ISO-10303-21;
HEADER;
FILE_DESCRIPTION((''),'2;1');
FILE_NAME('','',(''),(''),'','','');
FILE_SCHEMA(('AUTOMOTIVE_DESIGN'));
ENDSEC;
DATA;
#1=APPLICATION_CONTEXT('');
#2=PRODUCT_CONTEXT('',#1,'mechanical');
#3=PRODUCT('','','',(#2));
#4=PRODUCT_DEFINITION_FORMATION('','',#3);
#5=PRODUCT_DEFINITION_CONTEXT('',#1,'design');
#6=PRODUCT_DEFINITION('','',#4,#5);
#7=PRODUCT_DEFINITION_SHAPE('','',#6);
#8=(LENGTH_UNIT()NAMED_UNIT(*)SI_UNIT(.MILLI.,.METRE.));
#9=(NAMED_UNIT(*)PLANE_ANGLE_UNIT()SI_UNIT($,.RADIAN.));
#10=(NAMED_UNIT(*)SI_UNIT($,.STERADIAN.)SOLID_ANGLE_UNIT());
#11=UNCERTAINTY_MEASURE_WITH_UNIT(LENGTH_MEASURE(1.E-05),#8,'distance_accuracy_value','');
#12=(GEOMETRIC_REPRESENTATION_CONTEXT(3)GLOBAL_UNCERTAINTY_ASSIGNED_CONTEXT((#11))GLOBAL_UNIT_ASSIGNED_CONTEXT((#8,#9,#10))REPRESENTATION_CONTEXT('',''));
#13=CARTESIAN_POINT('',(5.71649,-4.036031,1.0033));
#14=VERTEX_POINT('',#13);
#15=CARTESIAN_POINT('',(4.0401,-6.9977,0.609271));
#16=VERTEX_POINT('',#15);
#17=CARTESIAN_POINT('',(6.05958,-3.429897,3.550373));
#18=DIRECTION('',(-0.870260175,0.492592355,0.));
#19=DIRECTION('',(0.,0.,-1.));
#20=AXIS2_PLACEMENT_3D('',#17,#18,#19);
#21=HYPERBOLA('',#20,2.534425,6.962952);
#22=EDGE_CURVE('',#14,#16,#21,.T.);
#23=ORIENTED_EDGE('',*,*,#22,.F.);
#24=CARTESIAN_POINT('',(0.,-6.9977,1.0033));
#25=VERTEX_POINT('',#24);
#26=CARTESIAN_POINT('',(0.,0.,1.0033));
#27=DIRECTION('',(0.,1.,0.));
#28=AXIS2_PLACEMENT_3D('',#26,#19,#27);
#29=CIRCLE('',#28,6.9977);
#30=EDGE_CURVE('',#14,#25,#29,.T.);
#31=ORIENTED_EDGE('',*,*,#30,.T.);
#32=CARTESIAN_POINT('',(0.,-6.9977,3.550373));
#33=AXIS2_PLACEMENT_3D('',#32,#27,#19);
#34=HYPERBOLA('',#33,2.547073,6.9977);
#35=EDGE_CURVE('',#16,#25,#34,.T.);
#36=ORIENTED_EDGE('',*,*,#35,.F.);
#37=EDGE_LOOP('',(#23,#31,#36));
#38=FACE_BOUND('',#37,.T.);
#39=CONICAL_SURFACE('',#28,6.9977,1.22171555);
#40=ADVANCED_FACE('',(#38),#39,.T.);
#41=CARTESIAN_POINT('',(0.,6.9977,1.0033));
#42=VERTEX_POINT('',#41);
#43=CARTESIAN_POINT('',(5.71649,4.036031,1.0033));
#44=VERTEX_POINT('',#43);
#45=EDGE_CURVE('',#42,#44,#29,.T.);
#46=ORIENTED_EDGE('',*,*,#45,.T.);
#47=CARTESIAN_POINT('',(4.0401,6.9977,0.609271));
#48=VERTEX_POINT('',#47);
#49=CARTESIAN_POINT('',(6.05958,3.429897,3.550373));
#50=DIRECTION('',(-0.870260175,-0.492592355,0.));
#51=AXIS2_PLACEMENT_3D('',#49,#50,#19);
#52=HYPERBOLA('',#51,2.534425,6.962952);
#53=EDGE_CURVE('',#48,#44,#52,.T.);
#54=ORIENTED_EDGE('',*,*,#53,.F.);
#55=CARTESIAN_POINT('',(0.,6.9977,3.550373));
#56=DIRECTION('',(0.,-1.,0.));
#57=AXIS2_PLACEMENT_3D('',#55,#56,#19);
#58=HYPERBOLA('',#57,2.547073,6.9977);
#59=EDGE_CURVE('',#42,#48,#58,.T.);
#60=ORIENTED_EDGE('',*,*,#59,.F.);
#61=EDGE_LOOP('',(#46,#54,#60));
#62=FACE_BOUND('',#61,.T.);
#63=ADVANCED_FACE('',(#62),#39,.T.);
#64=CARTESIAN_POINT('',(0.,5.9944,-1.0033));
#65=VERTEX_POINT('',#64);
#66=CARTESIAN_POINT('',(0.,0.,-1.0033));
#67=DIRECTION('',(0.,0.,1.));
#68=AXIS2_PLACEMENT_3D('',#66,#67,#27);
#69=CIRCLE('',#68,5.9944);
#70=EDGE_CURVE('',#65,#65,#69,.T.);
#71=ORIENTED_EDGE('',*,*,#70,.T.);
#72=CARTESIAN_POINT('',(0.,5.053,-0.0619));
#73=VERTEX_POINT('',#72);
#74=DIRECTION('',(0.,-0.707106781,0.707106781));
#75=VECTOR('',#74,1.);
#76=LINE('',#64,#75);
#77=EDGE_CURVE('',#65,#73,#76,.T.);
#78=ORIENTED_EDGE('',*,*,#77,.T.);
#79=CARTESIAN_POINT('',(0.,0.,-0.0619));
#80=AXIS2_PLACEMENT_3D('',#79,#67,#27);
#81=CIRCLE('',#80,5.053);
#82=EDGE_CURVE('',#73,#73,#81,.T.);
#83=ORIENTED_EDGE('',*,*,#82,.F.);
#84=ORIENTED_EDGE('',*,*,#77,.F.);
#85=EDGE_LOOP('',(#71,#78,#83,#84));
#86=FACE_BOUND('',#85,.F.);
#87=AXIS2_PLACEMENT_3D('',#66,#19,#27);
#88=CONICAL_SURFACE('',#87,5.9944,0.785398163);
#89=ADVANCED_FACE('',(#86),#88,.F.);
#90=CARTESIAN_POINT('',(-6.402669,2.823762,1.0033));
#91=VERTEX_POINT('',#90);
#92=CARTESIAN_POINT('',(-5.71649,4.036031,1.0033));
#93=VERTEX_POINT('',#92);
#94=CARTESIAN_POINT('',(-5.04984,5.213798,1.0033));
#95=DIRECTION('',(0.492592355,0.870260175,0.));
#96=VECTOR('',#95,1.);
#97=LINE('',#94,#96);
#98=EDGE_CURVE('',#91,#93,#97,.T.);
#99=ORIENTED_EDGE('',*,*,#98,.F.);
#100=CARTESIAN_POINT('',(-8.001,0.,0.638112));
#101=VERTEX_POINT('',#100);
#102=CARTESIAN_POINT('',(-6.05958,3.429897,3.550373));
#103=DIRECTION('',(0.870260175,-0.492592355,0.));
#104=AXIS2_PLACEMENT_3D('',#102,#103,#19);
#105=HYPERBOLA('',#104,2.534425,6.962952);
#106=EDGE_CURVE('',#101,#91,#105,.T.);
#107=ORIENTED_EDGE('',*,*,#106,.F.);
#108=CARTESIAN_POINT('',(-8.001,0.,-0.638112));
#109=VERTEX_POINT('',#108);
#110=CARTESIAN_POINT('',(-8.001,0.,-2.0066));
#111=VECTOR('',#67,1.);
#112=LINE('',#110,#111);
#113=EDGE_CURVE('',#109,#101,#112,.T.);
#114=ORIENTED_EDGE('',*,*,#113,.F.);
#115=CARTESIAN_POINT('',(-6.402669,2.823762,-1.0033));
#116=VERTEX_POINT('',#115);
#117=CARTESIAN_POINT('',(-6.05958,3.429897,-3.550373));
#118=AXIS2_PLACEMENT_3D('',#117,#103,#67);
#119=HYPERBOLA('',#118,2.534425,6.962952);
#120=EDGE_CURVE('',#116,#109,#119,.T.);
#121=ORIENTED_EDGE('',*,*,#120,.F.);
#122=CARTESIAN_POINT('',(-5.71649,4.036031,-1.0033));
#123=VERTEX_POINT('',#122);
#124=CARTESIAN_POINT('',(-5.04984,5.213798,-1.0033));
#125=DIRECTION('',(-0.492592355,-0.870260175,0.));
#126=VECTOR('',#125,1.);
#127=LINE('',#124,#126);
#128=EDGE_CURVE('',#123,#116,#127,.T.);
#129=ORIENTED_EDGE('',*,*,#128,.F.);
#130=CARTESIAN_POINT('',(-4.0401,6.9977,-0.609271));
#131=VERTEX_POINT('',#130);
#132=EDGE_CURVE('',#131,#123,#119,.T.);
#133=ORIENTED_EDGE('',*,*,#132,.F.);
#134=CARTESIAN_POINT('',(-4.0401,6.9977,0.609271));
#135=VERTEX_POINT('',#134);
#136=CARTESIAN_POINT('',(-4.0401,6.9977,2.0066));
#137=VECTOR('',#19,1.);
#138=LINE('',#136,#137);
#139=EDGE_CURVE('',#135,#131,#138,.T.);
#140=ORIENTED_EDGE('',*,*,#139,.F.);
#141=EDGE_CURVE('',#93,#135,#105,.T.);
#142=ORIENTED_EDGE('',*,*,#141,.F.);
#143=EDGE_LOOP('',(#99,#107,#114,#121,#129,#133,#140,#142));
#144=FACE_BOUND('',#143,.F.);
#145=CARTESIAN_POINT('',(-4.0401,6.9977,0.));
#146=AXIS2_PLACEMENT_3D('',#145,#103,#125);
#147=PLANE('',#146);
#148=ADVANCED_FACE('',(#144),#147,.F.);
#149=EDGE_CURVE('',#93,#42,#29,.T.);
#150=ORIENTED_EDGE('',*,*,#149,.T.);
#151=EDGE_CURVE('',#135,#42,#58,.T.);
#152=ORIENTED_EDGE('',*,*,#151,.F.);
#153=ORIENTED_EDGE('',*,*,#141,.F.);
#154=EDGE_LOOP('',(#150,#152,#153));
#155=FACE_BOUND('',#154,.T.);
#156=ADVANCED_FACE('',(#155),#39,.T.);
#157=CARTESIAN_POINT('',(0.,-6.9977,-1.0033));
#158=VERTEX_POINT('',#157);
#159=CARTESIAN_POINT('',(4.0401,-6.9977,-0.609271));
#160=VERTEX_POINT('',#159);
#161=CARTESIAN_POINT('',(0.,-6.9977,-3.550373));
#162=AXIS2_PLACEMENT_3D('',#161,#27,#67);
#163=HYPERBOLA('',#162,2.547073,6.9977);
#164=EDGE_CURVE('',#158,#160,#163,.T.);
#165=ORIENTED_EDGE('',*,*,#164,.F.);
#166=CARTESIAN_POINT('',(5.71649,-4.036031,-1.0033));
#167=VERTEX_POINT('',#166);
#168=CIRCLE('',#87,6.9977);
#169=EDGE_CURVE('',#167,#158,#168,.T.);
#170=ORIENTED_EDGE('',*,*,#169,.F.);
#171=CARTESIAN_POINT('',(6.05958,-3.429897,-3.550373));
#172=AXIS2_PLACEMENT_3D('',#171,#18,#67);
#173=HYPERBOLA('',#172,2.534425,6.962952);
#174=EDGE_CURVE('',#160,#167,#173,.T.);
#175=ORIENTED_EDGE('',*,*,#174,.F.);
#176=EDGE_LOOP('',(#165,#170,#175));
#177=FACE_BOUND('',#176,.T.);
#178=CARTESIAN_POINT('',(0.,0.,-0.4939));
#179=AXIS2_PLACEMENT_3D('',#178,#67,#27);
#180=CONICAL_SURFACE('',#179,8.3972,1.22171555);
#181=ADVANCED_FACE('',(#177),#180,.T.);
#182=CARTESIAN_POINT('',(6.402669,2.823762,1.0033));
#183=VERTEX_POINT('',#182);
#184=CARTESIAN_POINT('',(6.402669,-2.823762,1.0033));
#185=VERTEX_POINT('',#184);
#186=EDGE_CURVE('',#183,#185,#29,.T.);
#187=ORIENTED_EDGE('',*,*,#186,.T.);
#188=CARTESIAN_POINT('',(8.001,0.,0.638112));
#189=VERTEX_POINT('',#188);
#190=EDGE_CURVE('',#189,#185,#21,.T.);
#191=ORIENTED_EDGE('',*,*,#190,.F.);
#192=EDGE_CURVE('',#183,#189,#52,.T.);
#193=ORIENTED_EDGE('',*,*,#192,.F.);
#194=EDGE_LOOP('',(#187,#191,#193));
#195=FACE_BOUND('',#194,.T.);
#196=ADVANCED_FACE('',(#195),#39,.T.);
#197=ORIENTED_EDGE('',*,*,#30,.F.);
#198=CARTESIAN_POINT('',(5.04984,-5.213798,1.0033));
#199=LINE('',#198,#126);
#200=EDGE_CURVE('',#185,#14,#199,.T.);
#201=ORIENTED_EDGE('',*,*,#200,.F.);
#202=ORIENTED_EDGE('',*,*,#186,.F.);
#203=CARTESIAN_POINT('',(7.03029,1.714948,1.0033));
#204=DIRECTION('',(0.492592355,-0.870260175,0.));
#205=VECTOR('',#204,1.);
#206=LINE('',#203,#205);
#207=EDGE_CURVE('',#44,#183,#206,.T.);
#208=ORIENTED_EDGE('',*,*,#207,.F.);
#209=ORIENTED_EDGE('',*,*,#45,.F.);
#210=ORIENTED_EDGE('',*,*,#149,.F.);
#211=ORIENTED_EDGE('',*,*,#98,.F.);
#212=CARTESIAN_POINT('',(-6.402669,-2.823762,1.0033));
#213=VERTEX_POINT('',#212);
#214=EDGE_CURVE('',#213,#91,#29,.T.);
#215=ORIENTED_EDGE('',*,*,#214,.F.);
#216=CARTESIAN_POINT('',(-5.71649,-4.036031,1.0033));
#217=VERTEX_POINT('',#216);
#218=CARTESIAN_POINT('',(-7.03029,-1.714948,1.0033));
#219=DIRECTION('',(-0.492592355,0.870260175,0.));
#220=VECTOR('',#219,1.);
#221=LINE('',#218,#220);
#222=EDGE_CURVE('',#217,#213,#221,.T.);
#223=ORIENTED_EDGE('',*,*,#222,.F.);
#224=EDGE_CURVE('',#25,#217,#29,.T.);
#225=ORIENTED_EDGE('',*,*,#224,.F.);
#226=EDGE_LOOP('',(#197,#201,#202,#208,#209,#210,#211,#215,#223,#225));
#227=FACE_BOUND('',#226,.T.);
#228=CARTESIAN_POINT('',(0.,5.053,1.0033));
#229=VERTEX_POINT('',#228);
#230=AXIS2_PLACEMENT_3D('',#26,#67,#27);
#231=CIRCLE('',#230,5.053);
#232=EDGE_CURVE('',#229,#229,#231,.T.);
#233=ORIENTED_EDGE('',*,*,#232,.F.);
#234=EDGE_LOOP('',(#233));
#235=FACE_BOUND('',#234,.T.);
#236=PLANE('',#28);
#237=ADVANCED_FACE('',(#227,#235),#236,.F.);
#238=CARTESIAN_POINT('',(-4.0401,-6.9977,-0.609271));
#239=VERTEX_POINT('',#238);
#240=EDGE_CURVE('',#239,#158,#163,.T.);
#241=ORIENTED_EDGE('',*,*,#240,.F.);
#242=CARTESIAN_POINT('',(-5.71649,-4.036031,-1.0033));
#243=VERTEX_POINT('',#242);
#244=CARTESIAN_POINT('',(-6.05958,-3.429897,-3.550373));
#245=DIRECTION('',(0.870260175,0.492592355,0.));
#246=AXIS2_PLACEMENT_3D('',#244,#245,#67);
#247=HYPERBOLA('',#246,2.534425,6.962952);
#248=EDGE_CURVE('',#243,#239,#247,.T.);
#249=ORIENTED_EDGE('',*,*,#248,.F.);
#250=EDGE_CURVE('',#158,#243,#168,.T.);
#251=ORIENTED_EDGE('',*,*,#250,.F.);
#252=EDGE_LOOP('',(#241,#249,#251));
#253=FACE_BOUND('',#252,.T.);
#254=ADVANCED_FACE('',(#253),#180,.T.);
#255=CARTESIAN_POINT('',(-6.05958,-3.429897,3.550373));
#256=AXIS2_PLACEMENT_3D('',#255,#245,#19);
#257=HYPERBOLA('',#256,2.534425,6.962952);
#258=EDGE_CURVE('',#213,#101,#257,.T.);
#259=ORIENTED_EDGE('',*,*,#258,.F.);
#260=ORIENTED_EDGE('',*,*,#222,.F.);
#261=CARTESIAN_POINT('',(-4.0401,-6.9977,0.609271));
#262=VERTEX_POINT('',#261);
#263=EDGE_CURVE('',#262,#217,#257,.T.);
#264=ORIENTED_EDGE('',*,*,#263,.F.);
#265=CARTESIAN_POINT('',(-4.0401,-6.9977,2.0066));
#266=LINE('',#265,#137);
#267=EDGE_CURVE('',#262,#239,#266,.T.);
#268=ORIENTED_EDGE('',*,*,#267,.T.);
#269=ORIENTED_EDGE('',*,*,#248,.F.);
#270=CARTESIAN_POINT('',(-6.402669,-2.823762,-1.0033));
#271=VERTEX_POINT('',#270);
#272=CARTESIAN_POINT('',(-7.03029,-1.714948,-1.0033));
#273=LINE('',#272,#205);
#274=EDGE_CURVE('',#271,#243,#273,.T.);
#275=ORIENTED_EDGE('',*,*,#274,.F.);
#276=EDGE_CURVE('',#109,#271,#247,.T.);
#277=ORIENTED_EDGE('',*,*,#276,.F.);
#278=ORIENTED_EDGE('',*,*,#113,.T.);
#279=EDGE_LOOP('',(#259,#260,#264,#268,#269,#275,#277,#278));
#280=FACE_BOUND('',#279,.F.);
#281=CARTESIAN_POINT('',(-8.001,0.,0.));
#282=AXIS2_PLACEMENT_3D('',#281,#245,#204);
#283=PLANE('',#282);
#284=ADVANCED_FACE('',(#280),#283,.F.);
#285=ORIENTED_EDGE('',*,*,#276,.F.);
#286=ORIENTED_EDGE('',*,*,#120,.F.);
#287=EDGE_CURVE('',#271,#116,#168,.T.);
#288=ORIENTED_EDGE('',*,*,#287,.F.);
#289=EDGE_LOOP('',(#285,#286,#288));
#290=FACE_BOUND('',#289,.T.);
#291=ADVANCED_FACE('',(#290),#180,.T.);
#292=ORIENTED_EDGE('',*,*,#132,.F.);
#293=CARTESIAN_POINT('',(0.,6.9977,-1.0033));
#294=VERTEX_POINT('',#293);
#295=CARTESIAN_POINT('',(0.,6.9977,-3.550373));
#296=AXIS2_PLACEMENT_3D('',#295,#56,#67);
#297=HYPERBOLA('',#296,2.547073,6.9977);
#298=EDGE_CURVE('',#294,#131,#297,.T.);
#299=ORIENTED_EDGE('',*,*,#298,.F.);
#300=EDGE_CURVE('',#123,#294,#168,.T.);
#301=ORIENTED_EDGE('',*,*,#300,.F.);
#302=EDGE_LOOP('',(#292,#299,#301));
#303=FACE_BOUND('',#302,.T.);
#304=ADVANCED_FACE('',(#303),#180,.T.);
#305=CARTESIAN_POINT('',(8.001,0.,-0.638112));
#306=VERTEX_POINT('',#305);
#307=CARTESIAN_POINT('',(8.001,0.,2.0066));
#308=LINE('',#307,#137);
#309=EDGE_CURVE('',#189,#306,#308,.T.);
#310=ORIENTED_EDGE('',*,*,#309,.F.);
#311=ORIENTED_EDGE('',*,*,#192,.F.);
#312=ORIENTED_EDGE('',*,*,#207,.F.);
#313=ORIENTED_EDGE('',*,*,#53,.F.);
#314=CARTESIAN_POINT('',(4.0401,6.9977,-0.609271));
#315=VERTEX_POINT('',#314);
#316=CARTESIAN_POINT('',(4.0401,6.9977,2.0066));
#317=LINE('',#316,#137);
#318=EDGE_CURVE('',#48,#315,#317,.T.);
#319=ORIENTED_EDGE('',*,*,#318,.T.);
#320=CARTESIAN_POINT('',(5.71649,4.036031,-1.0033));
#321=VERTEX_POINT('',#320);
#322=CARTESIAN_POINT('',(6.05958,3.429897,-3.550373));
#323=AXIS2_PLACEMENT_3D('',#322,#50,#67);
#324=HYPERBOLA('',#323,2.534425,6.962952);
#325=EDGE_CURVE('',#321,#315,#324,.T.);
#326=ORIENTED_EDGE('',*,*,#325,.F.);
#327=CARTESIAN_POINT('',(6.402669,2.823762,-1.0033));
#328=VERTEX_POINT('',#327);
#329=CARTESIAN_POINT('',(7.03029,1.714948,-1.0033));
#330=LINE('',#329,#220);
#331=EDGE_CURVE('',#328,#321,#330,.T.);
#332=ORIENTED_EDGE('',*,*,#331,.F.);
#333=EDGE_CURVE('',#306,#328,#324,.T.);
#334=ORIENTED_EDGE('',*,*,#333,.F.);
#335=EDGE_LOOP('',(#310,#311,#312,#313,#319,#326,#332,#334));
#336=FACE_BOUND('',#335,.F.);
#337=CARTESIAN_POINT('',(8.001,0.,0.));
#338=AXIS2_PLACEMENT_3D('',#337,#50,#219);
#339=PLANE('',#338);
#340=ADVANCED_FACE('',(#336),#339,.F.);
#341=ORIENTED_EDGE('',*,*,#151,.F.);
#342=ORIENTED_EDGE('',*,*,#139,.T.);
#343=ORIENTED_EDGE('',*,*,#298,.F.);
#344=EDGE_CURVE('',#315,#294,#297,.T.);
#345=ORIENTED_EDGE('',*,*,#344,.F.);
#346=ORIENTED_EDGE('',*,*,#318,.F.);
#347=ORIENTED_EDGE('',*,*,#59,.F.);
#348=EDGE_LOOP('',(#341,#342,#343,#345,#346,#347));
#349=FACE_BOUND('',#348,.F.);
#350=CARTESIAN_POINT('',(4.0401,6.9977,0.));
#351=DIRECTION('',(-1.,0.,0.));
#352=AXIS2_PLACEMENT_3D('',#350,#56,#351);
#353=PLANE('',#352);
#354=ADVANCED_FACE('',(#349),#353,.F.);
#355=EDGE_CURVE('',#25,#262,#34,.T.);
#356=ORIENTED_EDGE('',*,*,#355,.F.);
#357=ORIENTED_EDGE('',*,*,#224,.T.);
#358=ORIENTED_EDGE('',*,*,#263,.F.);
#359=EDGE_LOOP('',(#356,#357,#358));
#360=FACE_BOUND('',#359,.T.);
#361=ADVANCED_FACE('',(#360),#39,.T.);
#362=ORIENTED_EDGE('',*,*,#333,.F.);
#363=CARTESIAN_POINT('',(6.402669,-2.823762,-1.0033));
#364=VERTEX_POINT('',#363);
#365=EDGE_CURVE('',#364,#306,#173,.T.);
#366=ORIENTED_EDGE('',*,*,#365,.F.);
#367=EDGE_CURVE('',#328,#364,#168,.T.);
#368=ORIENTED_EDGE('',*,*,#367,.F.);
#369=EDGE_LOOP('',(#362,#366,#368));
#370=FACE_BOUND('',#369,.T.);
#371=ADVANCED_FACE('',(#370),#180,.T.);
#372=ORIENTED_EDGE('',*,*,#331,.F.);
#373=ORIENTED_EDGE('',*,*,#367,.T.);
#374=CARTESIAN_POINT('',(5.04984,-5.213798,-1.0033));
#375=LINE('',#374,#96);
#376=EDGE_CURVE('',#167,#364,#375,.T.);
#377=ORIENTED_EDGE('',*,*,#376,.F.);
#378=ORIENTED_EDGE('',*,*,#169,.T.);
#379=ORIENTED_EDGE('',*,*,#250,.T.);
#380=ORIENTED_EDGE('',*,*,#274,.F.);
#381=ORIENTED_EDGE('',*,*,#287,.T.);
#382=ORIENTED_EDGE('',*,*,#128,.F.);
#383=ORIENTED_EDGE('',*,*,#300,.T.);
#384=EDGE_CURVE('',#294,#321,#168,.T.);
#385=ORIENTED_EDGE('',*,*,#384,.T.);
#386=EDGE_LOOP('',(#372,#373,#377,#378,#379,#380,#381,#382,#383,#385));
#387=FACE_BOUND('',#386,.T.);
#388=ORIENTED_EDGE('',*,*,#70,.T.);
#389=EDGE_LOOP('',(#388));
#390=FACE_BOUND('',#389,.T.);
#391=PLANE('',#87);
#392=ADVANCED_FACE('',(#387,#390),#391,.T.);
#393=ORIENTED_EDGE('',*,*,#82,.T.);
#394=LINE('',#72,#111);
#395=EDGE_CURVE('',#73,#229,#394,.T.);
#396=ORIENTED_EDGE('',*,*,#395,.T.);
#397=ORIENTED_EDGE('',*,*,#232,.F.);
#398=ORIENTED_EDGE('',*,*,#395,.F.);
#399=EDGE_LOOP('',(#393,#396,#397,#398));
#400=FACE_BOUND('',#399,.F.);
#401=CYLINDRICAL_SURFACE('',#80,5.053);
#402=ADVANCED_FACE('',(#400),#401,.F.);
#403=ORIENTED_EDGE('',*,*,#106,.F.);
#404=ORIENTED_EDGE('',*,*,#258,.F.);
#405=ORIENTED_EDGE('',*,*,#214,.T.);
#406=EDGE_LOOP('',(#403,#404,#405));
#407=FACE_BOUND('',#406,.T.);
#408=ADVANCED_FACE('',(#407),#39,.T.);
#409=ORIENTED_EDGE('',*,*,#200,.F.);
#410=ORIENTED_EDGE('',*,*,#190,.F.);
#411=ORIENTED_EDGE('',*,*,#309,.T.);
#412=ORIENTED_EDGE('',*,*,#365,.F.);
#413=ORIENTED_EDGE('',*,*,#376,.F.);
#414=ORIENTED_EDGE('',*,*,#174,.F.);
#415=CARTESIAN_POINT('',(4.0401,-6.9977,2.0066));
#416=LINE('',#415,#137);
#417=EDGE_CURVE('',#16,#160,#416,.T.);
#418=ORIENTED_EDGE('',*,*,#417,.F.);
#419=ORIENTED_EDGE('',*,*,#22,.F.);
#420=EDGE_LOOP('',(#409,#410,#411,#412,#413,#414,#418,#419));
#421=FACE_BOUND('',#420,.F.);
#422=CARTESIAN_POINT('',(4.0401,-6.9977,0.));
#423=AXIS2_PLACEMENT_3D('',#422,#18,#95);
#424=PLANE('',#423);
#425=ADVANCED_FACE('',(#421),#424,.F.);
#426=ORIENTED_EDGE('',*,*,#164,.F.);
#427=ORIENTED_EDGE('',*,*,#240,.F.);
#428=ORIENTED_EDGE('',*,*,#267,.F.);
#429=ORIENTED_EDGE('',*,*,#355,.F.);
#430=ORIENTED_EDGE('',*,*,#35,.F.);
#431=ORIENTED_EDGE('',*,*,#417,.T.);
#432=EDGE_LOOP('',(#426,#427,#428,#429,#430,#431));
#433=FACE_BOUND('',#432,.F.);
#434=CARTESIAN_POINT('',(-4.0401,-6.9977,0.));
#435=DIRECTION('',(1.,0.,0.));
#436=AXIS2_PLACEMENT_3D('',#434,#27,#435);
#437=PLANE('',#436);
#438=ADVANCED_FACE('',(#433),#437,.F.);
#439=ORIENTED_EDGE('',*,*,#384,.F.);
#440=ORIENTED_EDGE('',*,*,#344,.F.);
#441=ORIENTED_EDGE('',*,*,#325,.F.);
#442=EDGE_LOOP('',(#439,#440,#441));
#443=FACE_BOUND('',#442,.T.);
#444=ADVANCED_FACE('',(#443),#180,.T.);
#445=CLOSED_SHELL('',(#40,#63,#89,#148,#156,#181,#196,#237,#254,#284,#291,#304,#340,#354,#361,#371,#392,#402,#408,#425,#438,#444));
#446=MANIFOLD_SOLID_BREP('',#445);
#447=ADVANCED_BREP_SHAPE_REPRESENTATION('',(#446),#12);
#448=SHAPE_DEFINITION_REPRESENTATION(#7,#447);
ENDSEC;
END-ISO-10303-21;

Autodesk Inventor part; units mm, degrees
sketch "Sketch_1" plane through (0, 0, 0) normal (1, 0, 0) x (0, 1, 0)
  line L0 (0, -1.0033) -> (0, 1.0033)
  line L1 (0, 1.0033) -> (6.9977, 1.0033)
  line L2 (6.9977, 1.0033) -> (8.3972, 0.4939)
  line L3 (8.3972, 0.4939) -> (8.3972, -0.4939)
  line L4 (8.3972, -0.4939) -> (6.9977, -1.0033)
  line L5 (6.9977, -1.0033) -> (0, -1.0033)
  line L6 (0, -1.0033) -> (0, 1.0033)
revolve "Revolution1" add sketch "Sketch_1" angle 360 about axis through (0, 0, -1.0033) along (0, 0, -1)
sketch "Sketch_2" plane through (0, 0, 0) normal (0, 0, 1) x (1, 0, 0)
  line L0 (-13.9954, 13.9954) -> (-13.9954, -13.9954)
  line L1 (-13.9954, -13.9954) -> (13.9954, -13.9954)
  line L2 (13.9954, -13.9954) -> (13.9954, 13.9954)
  line L3 (13.9954, 13.9954) -> (-13.9954, 13.9954)
  line L4 (-8.001, 0) -> (-4.0401, -6.9977)
  line L5 (-4.0401, -6.9977) -> (4.0401, -6.9977)
  line L6 (4.0401, -6.9977) -> (8.001, 0)
  line L7 (8.001, 0) -> (4.0401, 6.9977)
  line L8 (4.0401, 6.9977) -> (-4.0401, 6.9977)
  line L9 (-4.0401, 6.9977) -> (-8.001, 0)
extrude "Extrusion1" cut sketch "Sketch_2" along normal mid plane 4.0132
sketch "Sketch3" plane through (0, 0, -1.0033) normal (0, 0, -1) x (-1, 0, 0)
  point P0 (0, 0)
hole "Drilling 1" at (0, 0, -1.0033) direction (0, 0, 1) diameter 10.106 depth 2.0066 countersink diameter 11.9888 countersink angle 90
ref_plane "nut_XY" through (0, 0, 1.0033) normal (0, 0, 1) x (1, 0, 0)
ref_plane "nut_YZ" through (0, 0, 1.0033) normal (1, 0, 0) x (0, 1, 0)
ref_plane "nut_ZX" through (0, 0, 1.0033) normal (0, 1, 0) x (0, 0, 1)
properties part number "AT527M"
